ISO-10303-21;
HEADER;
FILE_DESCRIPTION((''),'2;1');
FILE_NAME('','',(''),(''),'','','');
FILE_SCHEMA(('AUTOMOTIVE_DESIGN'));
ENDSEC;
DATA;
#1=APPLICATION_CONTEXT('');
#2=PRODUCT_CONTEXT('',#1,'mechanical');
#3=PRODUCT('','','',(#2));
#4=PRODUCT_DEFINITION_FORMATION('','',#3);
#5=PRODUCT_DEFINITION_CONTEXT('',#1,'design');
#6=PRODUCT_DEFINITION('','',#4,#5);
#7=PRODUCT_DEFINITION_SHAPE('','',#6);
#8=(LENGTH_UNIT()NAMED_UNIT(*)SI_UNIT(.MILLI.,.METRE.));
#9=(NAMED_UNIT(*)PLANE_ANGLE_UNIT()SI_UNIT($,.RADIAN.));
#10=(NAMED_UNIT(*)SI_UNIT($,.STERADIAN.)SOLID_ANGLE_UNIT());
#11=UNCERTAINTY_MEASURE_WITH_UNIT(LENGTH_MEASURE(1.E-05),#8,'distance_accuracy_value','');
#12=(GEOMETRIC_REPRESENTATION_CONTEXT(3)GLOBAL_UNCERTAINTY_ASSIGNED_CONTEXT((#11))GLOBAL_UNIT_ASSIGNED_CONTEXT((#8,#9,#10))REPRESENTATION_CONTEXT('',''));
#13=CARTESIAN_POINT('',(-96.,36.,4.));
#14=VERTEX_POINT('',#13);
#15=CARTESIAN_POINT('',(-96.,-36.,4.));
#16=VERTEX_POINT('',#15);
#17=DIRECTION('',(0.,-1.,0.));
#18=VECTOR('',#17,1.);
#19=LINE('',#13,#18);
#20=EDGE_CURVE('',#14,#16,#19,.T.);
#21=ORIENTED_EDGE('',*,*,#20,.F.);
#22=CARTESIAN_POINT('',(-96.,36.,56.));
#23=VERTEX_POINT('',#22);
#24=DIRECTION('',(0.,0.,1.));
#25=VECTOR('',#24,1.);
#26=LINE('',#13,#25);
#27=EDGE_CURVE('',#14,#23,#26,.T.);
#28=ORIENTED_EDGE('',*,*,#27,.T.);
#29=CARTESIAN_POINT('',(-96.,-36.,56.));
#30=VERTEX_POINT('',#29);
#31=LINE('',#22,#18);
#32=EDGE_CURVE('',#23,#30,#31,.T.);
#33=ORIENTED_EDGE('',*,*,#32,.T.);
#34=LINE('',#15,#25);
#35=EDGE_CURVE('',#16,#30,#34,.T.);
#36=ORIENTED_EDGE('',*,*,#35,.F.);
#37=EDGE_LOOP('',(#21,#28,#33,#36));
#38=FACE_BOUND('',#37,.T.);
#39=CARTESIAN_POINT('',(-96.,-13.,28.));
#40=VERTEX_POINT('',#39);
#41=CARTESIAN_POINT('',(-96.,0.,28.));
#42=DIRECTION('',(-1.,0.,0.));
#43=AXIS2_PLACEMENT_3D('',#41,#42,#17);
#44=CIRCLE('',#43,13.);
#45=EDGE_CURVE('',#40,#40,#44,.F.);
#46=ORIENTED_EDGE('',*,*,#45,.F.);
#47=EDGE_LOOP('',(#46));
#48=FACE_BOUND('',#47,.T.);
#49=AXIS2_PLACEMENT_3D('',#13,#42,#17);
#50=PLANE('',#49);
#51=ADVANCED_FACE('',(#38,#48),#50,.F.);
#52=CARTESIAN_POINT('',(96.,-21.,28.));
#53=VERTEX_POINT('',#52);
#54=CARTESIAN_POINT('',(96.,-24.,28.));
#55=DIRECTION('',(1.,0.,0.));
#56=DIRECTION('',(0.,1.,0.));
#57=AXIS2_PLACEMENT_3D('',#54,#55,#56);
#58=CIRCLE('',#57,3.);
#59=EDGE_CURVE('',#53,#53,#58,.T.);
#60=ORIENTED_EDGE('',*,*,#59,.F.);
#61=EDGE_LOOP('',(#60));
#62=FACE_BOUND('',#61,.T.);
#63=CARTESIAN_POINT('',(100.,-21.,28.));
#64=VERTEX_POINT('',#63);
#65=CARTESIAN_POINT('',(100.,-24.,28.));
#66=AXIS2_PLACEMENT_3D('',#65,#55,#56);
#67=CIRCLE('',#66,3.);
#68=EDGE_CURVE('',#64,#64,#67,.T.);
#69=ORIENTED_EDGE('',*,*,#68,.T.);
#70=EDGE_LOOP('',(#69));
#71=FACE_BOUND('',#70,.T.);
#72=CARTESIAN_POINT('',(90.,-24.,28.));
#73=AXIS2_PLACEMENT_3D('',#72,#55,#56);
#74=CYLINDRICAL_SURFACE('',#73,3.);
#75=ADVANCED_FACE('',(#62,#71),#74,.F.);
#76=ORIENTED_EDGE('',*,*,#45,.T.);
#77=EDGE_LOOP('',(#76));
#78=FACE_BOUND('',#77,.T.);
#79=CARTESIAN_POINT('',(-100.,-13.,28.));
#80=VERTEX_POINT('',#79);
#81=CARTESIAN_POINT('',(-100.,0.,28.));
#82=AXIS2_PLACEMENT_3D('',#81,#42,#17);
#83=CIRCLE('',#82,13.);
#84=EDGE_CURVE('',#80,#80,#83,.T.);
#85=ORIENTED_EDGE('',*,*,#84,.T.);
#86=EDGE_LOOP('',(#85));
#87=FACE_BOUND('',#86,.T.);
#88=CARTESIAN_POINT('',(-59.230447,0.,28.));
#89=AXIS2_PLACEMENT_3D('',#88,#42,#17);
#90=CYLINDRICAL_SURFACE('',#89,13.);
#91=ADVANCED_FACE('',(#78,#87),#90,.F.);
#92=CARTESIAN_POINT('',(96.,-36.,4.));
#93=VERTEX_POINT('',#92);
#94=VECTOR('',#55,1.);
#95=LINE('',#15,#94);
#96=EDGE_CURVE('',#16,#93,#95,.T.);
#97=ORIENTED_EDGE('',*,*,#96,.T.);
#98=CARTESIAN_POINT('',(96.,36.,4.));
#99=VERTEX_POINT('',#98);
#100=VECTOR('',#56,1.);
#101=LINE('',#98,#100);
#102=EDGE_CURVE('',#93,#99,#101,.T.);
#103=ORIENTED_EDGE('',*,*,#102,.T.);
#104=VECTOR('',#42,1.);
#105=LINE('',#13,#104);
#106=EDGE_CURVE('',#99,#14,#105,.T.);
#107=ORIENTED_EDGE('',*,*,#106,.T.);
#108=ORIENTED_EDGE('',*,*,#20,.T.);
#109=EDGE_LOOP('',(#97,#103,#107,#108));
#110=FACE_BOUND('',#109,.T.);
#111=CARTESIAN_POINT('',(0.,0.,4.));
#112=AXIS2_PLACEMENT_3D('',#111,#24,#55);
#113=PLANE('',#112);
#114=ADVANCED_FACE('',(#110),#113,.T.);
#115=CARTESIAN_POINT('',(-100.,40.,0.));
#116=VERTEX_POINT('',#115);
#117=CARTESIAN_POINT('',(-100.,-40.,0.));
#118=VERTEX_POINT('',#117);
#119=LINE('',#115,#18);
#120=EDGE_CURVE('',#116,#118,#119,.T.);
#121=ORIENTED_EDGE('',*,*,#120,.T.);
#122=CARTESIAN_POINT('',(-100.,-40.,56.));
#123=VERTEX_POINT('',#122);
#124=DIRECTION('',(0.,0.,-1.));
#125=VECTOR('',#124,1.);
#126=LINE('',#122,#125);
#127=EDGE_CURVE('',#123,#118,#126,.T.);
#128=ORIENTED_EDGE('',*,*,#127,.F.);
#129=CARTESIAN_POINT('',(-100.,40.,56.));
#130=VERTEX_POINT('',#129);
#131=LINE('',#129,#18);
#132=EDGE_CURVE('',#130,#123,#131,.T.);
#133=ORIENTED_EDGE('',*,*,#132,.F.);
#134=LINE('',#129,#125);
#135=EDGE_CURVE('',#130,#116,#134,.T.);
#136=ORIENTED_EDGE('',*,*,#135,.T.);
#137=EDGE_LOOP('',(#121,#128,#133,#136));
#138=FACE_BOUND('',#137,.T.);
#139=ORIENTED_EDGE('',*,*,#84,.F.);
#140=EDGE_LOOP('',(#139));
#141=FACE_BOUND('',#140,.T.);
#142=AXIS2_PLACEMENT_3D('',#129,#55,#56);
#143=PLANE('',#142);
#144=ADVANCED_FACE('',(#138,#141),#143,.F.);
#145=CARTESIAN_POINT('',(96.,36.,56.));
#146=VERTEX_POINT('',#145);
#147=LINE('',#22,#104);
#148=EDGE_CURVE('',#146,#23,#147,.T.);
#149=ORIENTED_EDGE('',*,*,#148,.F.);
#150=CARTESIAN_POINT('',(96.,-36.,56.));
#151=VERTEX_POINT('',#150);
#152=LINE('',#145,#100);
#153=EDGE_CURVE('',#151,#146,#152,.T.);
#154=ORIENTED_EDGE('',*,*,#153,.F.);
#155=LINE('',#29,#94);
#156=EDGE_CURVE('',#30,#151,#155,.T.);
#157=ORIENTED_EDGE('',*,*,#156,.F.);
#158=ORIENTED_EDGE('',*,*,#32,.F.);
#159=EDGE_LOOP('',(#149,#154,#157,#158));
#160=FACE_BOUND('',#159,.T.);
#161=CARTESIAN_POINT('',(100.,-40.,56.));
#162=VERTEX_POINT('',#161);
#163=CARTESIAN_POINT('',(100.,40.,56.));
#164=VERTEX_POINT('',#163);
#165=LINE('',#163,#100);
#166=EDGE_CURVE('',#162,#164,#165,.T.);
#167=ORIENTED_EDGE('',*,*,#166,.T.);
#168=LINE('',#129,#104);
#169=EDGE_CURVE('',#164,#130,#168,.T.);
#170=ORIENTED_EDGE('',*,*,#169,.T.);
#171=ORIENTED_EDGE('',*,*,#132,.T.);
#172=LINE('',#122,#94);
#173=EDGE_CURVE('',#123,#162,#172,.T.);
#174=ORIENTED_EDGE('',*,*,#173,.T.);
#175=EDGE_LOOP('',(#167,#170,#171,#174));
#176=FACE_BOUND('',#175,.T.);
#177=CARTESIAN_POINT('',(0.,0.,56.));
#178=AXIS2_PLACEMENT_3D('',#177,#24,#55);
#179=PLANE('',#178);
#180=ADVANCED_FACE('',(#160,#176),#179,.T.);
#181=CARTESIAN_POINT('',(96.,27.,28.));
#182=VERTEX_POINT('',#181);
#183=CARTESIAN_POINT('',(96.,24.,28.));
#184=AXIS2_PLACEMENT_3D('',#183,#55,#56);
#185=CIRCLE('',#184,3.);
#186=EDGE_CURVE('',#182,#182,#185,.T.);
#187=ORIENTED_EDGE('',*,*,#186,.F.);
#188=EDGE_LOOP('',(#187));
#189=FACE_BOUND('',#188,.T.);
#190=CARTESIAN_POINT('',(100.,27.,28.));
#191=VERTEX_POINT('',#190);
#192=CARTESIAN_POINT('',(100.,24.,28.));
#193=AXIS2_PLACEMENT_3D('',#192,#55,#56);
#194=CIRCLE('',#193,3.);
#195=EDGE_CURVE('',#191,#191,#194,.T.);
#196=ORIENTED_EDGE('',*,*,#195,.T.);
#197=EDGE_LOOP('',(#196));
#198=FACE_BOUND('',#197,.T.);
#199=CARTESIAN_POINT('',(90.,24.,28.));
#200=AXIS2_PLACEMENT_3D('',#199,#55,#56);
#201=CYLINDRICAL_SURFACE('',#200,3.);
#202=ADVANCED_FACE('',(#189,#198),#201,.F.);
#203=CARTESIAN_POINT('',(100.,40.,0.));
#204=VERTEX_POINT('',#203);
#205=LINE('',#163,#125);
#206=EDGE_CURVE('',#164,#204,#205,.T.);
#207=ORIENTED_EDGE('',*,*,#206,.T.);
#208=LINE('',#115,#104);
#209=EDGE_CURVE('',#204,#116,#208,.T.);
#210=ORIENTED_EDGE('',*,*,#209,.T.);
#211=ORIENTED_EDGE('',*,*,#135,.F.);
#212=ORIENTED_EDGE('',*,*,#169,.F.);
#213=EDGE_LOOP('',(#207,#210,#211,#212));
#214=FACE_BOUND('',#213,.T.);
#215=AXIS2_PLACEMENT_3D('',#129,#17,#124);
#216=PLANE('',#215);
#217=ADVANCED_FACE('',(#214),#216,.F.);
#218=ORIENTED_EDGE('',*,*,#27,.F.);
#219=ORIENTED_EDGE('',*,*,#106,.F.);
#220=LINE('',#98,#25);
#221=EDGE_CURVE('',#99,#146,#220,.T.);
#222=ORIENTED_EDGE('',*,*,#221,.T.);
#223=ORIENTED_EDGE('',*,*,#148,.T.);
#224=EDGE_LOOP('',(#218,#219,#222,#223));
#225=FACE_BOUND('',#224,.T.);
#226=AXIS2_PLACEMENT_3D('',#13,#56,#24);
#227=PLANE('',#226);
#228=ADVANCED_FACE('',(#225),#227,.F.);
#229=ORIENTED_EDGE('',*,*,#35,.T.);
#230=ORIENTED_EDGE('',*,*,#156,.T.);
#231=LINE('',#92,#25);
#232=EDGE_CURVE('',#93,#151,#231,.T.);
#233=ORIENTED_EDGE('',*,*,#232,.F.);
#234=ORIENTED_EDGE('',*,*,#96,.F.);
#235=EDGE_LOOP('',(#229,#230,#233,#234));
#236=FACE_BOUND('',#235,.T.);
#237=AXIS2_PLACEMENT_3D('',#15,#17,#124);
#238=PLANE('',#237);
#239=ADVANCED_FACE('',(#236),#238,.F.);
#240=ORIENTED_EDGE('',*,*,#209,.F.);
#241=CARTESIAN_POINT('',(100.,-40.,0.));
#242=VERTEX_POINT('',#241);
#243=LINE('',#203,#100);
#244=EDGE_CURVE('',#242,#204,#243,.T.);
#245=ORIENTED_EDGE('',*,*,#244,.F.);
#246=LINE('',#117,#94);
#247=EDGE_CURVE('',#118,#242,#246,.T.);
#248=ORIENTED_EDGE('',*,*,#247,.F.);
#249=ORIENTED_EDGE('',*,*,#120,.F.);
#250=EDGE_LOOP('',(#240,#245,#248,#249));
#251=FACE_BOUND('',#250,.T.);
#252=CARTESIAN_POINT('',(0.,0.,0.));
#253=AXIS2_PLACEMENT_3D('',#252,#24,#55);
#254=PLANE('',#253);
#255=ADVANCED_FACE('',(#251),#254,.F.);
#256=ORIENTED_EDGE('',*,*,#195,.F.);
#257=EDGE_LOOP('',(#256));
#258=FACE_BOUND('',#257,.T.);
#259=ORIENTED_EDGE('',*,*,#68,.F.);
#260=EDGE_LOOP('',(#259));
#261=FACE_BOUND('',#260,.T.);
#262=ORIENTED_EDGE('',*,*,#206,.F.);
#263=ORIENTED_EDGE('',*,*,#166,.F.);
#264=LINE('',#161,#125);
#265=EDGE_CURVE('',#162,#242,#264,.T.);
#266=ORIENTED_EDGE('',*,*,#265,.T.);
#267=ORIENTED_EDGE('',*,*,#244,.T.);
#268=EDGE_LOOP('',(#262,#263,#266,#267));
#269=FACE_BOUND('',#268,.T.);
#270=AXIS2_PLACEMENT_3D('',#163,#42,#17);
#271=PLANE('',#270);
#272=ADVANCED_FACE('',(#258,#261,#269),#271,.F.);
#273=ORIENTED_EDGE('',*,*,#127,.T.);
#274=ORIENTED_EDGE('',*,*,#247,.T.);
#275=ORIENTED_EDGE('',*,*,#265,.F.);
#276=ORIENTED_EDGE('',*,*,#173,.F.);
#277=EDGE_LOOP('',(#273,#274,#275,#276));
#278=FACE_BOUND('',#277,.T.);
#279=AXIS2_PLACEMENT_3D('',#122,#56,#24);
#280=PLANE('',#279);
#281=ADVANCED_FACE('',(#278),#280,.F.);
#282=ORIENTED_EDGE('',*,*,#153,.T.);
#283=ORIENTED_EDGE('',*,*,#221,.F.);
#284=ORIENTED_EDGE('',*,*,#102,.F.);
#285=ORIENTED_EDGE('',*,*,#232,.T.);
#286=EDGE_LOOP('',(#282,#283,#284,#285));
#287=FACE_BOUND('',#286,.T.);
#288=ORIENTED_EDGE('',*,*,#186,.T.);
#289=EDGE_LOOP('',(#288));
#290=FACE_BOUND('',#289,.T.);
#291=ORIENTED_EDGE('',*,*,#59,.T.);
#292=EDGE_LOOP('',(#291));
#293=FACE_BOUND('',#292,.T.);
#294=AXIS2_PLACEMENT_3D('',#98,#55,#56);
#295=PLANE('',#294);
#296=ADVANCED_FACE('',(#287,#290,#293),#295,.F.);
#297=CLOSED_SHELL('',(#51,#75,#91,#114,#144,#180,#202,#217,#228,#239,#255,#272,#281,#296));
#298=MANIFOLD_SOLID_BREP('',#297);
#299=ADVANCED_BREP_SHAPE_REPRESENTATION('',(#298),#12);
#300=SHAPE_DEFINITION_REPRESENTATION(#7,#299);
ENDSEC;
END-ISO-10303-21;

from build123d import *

# Parameters (mm, degrees)
SKETCH_2_W          = 200
SKETCH_2_H          = 80
EXTRUDE_1_DEPTH     = 56
SKETCH_3_W          = 192
SKETCH_3_H          = 72
CUT_EXTRUDE_1_DEPTH = 52
SKETCH_6_R          = 13
CUT_EXTRUDE_2_DEPTH = 4
SKETCH_8_R          = 3
CUT_EXTRUDE_3_DEPTH = 10


with BuildPart() as part:
    # 草图2 → 凸台-拉伸1 (new body)
    with BuildSketch(Plane.XY):
        Rectangle(SKETCH_2_W, SKETCH_2_H)
    extrude(amount=EXTRUDE_1_DEPTH)

    # 草图3 → 切除-拉伸1 (cut)
    with BuildSketch(Plane.XY.offset(56)):
        Rectangle(SKETCH_3_W, SKETCH_3_H)
    extrude(amount=-CUT_EXTRUDE_1_DEPTH, mode=Mode.SUBTRACT)

    # 草图6 → 切除-拉伸2 (cut)
    with BuildSketch(Plane.ZY.offset(100)):
        with Locations((28, 0)):
            Circle(SKETCH_6_R)
    extrude(amount=-CUT_EXTRUDE_2_DEPTH, mode=Mode.SUBTRACT)

    # 草图8 → 切除-拉伸3 (cut)
    with BuildSketch(Plane(origin=(100, 0, 0), x_dir=(0, 0, -1), z_dir=(1, 0, 0))):
        with Locations((-28, 24)):
            Circle(SKETCH_8_R)
        with Locations((-28, -24)):
            Circle(SKETCH_8_R)
    extrude(amount=-CUT_EXTRUDE_3_DEPTH, mode=Mode.SUBTRACT)


solid = part.part
